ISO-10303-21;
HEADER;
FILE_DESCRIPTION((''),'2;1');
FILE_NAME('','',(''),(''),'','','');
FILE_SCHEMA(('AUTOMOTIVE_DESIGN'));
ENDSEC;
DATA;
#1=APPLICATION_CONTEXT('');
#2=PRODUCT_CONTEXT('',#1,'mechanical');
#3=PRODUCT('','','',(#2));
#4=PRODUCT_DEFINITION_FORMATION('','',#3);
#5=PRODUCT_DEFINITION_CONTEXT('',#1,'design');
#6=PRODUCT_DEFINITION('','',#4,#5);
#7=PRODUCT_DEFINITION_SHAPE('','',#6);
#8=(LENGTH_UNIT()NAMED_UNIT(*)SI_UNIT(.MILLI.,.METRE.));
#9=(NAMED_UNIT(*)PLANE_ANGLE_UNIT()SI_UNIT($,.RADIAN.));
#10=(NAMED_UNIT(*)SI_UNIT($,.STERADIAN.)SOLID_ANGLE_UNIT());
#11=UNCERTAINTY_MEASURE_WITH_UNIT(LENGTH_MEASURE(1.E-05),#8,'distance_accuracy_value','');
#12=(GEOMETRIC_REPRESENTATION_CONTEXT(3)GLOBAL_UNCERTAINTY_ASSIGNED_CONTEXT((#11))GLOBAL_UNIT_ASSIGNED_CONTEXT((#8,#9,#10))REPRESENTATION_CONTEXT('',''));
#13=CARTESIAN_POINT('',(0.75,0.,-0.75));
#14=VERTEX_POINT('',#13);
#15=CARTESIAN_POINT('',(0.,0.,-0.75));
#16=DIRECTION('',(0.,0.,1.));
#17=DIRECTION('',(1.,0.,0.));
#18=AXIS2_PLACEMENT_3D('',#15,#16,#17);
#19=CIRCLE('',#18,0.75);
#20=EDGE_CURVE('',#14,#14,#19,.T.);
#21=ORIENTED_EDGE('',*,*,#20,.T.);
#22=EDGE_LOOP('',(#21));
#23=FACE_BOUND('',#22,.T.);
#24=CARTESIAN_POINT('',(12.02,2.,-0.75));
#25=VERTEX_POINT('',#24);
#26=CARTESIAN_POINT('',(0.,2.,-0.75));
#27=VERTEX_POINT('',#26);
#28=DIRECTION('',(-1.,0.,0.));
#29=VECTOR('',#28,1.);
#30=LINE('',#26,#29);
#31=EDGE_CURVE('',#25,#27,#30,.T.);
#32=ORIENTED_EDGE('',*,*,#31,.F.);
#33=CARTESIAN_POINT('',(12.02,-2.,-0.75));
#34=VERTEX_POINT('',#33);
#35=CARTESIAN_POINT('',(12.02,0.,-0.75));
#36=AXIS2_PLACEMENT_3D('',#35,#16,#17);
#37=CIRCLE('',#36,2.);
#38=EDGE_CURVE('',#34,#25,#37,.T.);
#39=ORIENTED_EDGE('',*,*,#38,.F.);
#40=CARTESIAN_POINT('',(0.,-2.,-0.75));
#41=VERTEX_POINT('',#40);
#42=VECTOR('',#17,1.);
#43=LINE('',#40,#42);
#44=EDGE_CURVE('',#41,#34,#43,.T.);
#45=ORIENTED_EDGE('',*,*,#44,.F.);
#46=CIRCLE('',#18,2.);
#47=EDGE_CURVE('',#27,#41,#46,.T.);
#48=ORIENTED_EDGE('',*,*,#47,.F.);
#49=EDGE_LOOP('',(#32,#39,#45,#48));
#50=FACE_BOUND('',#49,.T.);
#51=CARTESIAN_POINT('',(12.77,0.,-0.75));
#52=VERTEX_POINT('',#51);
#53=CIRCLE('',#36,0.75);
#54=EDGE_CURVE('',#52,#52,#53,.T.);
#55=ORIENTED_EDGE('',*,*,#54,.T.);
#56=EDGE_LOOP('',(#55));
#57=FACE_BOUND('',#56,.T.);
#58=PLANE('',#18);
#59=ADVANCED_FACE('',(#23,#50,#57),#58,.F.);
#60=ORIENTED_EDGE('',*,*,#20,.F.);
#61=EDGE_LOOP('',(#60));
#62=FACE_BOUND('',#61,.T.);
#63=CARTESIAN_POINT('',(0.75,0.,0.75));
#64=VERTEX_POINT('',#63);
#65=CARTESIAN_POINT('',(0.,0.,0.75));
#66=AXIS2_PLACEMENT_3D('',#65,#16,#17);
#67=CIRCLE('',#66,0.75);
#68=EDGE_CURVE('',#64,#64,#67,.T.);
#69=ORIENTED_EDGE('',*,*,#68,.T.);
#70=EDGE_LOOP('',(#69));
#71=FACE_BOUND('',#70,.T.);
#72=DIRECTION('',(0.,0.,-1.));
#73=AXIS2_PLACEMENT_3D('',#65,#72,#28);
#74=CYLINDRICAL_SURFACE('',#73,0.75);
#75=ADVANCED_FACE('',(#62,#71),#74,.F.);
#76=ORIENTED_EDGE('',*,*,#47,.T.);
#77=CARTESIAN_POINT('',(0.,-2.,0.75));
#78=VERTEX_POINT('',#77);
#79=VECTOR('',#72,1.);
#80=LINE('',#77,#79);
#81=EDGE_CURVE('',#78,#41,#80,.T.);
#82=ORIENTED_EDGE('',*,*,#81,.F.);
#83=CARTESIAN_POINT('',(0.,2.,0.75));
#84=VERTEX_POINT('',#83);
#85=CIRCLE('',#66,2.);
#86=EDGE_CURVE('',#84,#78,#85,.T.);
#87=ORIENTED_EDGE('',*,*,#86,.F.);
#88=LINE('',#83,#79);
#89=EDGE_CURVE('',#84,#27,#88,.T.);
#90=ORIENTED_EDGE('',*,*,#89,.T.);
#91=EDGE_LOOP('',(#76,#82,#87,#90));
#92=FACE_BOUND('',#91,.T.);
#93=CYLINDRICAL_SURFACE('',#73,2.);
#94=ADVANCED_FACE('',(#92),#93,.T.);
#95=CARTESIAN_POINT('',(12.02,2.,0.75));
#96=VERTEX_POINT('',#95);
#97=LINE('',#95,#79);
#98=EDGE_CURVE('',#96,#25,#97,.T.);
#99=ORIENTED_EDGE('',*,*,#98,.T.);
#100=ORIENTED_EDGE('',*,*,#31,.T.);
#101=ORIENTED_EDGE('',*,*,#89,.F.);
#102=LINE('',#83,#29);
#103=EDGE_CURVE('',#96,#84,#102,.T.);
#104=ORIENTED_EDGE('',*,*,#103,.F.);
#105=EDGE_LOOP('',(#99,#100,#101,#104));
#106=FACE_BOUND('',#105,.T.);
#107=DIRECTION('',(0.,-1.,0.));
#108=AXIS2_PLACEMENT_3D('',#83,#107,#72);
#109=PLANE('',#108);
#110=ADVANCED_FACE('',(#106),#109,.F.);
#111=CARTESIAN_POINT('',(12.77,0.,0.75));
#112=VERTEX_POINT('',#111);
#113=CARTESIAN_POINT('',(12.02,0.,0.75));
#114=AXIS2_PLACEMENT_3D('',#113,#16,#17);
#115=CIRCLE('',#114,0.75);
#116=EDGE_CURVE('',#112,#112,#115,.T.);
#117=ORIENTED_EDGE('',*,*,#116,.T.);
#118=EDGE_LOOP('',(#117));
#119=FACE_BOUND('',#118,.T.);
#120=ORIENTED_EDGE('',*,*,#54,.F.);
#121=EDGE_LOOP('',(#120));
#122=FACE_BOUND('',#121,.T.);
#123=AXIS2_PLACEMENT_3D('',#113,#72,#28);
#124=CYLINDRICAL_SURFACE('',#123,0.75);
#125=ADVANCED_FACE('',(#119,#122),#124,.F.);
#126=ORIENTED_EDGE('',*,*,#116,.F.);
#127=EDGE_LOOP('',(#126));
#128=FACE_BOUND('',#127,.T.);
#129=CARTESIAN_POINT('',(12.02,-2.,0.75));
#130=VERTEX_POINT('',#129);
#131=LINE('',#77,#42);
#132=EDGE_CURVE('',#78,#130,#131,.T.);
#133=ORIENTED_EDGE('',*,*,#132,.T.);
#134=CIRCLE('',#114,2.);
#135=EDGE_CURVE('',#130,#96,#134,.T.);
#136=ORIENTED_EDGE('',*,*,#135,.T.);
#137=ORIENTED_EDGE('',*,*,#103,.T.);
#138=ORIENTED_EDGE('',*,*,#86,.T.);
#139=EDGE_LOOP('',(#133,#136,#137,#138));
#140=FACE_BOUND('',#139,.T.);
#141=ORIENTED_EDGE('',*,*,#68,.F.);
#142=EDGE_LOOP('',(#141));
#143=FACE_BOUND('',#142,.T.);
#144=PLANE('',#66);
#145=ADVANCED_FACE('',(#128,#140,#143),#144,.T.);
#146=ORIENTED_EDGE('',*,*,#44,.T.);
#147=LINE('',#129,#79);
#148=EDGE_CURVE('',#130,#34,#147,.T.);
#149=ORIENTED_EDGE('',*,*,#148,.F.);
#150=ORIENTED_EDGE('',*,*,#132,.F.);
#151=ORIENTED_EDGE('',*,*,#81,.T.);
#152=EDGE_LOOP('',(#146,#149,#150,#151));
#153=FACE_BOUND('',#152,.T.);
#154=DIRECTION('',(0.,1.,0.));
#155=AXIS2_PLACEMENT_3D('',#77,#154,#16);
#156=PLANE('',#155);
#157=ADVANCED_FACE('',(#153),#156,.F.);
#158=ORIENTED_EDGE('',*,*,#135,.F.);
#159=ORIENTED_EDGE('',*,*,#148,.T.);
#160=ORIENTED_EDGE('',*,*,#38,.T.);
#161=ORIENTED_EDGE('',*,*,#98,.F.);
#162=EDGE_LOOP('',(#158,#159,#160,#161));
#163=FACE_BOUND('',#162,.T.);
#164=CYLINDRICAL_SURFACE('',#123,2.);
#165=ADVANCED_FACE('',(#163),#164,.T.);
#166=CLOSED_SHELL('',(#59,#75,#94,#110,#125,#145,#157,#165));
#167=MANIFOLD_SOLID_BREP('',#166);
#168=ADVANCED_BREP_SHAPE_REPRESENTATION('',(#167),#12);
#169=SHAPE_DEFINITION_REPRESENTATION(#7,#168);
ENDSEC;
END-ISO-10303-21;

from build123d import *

# Parameters (mm, degrees)
SKETCH1_R           = 0.75
BOSS_EXTRUDE1_DEPTH = 0.75


with BuildPart() as part:
    # Sketch1 → Boss-Extrude1 (new body, symmetric)
    with BuildSketch(Plane.XY):
        with BuildLine():
            Line((0, 2), (12.02, 2))
            ThreePointArc((12.02, 2), (14.02, 0), (12.02, -2))
            Line((12.02, -2), (0, -2))
            ThreePointArc((0, -2), (-2, 0), (0, 2))
        make_face()
        Circle(SKETCH1_R, mode=Mode.SUBTRACT)
        with Locations((12.02, 0)):
            Circle(SKETCH1_R, mode=Mode.SUBTRACT)
    extrude(amount=BOSS_EXTRUDE1_DEPTH, both=True)


solid = part.part
